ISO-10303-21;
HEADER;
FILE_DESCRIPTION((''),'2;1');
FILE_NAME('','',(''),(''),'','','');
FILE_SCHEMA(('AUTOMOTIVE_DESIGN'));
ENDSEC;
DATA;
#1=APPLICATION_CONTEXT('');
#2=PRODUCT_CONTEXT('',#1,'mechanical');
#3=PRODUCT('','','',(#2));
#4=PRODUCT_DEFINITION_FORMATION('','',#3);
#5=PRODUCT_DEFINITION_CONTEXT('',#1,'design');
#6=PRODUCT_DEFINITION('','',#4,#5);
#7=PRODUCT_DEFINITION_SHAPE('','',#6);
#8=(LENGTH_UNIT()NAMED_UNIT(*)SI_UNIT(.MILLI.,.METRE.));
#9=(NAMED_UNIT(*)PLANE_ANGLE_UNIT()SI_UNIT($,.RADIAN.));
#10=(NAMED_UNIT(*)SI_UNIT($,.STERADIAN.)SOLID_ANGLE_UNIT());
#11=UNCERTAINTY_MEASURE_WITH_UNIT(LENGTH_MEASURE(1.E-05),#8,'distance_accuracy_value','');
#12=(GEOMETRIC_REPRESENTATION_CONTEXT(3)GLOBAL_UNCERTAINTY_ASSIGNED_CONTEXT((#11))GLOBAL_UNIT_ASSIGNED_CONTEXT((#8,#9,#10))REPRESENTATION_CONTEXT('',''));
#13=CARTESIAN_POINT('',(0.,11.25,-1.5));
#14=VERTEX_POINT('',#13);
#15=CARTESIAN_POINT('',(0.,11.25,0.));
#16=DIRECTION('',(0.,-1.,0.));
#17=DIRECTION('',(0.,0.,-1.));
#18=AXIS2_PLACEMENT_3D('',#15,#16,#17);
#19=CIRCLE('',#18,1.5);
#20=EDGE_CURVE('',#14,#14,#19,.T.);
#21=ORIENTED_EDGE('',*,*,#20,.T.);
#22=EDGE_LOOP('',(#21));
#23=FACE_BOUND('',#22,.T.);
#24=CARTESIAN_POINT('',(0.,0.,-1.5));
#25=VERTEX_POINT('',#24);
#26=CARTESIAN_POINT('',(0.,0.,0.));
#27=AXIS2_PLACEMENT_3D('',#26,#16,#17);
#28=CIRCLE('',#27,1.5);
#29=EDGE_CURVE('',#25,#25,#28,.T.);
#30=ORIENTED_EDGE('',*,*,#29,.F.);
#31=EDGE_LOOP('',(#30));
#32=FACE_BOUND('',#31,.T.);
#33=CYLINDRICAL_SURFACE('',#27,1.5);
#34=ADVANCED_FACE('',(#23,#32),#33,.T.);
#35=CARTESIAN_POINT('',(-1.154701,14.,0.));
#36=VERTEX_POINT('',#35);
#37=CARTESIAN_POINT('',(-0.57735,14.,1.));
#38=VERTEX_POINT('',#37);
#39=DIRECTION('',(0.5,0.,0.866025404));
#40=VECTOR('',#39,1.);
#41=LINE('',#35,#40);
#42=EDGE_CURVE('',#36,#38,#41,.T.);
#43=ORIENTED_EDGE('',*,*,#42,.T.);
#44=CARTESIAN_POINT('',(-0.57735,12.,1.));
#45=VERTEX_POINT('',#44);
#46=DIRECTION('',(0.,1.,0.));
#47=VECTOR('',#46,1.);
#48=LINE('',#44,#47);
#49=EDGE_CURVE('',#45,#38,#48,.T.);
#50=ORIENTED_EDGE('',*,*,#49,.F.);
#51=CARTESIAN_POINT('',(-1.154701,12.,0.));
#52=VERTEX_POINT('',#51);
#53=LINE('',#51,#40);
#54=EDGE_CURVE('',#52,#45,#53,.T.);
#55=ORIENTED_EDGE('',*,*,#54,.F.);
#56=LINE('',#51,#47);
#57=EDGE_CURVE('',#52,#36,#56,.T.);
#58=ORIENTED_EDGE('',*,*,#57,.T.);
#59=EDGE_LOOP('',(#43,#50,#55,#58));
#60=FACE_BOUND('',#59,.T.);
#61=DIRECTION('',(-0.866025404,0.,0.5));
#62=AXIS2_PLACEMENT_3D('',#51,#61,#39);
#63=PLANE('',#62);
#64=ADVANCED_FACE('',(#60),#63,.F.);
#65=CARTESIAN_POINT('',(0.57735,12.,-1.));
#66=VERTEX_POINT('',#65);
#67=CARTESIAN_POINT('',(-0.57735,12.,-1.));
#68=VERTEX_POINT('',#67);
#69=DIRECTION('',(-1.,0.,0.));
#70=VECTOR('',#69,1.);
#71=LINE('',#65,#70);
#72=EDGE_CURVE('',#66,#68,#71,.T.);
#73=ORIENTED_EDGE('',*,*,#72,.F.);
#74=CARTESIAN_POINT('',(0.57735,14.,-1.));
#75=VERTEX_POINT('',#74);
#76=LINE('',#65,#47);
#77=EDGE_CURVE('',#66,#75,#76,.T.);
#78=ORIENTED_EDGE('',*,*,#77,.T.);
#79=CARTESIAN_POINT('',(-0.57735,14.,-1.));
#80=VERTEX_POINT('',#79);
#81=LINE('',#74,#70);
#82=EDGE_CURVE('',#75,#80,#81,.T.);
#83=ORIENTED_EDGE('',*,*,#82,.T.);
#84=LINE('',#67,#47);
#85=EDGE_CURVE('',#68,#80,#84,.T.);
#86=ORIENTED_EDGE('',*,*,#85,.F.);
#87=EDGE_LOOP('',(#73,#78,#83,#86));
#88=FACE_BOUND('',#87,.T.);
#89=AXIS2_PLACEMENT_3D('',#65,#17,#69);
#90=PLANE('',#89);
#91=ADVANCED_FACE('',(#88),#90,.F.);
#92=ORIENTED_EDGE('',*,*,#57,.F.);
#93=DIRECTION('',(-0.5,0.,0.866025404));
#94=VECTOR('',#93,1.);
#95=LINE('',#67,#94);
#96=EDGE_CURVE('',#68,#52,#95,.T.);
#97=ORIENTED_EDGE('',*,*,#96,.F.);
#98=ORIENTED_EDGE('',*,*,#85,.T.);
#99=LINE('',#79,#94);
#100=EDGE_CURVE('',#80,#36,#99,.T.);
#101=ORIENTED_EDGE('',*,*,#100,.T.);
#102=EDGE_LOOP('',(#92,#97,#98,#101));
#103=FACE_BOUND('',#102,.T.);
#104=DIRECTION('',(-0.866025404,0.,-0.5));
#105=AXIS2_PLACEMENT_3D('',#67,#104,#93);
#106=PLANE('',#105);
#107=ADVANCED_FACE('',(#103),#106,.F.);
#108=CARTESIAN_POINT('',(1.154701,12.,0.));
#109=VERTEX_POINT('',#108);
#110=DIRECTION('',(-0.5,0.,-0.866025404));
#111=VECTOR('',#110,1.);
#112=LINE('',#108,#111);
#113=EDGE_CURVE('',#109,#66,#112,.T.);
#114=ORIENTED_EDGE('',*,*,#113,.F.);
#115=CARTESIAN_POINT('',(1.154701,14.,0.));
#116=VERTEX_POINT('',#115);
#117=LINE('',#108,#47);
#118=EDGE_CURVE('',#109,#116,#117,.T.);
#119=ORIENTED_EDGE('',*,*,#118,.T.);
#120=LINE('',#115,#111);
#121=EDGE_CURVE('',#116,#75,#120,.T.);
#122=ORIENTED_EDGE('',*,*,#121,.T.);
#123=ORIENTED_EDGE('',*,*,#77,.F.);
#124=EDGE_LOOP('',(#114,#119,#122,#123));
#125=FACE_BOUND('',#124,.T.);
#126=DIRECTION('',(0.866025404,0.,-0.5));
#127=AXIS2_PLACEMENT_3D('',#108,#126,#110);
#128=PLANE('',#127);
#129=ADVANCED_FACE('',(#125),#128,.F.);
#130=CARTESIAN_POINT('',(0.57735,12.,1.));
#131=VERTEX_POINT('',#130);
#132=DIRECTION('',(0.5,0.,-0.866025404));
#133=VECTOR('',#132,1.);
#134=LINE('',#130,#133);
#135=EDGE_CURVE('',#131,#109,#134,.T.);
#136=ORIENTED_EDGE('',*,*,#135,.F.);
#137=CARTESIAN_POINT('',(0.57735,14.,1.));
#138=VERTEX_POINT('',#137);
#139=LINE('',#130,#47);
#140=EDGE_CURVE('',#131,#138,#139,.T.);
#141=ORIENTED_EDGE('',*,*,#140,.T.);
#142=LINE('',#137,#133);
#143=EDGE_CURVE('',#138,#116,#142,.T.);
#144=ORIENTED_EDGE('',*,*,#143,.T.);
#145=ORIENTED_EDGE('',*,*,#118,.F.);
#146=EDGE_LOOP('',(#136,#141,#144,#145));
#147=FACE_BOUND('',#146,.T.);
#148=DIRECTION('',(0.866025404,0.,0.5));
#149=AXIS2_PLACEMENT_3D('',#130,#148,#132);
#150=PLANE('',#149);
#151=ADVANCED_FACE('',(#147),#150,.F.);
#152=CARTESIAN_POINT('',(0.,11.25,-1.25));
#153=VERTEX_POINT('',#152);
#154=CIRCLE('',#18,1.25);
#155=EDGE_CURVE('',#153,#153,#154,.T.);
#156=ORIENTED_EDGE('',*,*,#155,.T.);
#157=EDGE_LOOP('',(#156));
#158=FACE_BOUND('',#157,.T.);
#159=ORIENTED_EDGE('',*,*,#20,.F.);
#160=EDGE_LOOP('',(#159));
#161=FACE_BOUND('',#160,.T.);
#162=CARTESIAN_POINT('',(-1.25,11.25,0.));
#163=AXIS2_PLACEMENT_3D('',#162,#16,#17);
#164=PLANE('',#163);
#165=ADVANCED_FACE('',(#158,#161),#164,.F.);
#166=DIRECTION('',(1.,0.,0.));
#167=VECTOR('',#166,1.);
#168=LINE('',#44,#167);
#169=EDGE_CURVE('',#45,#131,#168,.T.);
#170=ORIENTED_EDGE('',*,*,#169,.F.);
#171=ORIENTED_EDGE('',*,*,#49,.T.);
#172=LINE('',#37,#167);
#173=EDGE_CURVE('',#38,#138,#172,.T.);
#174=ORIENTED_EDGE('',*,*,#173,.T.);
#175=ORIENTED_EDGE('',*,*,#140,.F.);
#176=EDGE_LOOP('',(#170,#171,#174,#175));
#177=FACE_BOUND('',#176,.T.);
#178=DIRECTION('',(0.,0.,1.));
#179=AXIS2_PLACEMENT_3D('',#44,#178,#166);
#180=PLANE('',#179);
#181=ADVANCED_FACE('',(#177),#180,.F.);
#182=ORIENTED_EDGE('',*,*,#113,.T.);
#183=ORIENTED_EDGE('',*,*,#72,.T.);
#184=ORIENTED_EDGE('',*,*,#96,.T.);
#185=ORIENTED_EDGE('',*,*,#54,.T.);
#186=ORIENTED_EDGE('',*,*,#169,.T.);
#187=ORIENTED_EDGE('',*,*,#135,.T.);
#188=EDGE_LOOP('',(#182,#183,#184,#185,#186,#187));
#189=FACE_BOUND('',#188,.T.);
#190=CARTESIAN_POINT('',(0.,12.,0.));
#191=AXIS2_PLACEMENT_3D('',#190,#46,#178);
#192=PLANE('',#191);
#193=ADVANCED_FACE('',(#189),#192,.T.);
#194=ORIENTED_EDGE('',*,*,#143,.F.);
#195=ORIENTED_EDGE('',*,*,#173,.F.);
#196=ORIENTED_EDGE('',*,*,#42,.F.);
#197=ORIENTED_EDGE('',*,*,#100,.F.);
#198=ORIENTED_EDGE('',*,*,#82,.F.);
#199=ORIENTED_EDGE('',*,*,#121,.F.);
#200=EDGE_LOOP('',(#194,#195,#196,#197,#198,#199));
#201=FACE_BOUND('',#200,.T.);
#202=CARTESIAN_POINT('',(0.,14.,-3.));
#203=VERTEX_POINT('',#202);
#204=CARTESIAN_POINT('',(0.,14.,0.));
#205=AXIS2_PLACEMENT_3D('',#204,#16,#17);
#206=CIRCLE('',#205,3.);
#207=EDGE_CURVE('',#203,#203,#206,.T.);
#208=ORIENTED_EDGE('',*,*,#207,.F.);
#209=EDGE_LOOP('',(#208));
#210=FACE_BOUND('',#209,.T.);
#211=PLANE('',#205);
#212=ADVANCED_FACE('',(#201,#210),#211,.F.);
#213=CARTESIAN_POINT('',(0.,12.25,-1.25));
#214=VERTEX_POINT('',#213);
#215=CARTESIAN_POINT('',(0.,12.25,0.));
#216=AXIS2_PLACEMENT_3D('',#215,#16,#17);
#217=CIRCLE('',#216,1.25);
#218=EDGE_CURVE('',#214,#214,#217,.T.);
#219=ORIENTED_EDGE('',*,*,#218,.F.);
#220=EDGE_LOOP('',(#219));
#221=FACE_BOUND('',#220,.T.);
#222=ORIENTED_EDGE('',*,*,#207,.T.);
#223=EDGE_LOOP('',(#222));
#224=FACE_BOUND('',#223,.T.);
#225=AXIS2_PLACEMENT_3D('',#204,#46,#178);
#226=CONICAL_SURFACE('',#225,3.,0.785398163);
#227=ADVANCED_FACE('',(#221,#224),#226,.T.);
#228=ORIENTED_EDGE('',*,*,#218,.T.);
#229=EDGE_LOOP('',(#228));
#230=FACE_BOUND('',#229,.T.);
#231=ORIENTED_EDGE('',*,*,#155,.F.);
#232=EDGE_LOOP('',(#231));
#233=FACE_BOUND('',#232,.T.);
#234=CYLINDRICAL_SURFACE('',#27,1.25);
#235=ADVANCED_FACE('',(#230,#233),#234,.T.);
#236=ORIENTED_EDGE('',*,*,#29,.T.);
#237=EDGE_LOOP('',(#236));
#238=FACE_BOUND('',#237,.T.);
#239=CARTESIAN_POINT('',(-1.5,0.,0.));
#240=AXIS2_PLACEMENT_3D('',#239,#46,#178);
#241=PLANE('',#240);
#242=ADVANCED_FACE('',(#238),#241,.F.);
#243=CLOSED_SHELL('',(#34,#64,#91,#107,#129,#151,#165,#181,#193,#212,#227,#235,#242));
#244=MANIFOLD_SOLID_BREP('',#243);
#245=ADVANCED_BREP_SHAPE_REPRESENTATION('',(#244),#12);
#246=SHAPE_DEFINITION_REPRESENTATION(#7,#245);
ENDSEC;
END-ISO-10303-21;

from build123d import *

# Parameters (mm, degrees)
CUT_EXTRUDE_1_DEPTH = 2


with BuildPart() as part:
    # 草图1 → 旋转1 (revolve)
    with BuildSketch(Plane.XY, mode=Mode.PRIVATE) as revolve_1_sk:
        Polygon((0, 14), (-3, 14), (-1.25, 12.25), (-1.25, 11.25), (-1.5, 11.25), (-1.5, 0), (0, 0), align=None)
    revolve(revolve_1_sk.sketch.rotate(Axis((0, 0, 0), (0, 1, 0)), 270), axis=Axis((0, 0, 0), (0, 1, 0)))

    # 草图2 → 切除-拉伸1 (cut)
    with BuildSketch(Plane(origin=(0, 14, 0), x_dir=(1, 0, 0), z_dir=(0, 1, 0))):
        Polygon((0.577350269, 1), (-0.577350269, 1), (-1.154700538, 0), (-0.577350269, -1), (0.577350269, -1), (1.154700538, 0), align=None)
    extrude(amount=-CUT_EXTRUDE_1_DEPTH, mode=Mode.SUBTRACT)


solid = part.part
